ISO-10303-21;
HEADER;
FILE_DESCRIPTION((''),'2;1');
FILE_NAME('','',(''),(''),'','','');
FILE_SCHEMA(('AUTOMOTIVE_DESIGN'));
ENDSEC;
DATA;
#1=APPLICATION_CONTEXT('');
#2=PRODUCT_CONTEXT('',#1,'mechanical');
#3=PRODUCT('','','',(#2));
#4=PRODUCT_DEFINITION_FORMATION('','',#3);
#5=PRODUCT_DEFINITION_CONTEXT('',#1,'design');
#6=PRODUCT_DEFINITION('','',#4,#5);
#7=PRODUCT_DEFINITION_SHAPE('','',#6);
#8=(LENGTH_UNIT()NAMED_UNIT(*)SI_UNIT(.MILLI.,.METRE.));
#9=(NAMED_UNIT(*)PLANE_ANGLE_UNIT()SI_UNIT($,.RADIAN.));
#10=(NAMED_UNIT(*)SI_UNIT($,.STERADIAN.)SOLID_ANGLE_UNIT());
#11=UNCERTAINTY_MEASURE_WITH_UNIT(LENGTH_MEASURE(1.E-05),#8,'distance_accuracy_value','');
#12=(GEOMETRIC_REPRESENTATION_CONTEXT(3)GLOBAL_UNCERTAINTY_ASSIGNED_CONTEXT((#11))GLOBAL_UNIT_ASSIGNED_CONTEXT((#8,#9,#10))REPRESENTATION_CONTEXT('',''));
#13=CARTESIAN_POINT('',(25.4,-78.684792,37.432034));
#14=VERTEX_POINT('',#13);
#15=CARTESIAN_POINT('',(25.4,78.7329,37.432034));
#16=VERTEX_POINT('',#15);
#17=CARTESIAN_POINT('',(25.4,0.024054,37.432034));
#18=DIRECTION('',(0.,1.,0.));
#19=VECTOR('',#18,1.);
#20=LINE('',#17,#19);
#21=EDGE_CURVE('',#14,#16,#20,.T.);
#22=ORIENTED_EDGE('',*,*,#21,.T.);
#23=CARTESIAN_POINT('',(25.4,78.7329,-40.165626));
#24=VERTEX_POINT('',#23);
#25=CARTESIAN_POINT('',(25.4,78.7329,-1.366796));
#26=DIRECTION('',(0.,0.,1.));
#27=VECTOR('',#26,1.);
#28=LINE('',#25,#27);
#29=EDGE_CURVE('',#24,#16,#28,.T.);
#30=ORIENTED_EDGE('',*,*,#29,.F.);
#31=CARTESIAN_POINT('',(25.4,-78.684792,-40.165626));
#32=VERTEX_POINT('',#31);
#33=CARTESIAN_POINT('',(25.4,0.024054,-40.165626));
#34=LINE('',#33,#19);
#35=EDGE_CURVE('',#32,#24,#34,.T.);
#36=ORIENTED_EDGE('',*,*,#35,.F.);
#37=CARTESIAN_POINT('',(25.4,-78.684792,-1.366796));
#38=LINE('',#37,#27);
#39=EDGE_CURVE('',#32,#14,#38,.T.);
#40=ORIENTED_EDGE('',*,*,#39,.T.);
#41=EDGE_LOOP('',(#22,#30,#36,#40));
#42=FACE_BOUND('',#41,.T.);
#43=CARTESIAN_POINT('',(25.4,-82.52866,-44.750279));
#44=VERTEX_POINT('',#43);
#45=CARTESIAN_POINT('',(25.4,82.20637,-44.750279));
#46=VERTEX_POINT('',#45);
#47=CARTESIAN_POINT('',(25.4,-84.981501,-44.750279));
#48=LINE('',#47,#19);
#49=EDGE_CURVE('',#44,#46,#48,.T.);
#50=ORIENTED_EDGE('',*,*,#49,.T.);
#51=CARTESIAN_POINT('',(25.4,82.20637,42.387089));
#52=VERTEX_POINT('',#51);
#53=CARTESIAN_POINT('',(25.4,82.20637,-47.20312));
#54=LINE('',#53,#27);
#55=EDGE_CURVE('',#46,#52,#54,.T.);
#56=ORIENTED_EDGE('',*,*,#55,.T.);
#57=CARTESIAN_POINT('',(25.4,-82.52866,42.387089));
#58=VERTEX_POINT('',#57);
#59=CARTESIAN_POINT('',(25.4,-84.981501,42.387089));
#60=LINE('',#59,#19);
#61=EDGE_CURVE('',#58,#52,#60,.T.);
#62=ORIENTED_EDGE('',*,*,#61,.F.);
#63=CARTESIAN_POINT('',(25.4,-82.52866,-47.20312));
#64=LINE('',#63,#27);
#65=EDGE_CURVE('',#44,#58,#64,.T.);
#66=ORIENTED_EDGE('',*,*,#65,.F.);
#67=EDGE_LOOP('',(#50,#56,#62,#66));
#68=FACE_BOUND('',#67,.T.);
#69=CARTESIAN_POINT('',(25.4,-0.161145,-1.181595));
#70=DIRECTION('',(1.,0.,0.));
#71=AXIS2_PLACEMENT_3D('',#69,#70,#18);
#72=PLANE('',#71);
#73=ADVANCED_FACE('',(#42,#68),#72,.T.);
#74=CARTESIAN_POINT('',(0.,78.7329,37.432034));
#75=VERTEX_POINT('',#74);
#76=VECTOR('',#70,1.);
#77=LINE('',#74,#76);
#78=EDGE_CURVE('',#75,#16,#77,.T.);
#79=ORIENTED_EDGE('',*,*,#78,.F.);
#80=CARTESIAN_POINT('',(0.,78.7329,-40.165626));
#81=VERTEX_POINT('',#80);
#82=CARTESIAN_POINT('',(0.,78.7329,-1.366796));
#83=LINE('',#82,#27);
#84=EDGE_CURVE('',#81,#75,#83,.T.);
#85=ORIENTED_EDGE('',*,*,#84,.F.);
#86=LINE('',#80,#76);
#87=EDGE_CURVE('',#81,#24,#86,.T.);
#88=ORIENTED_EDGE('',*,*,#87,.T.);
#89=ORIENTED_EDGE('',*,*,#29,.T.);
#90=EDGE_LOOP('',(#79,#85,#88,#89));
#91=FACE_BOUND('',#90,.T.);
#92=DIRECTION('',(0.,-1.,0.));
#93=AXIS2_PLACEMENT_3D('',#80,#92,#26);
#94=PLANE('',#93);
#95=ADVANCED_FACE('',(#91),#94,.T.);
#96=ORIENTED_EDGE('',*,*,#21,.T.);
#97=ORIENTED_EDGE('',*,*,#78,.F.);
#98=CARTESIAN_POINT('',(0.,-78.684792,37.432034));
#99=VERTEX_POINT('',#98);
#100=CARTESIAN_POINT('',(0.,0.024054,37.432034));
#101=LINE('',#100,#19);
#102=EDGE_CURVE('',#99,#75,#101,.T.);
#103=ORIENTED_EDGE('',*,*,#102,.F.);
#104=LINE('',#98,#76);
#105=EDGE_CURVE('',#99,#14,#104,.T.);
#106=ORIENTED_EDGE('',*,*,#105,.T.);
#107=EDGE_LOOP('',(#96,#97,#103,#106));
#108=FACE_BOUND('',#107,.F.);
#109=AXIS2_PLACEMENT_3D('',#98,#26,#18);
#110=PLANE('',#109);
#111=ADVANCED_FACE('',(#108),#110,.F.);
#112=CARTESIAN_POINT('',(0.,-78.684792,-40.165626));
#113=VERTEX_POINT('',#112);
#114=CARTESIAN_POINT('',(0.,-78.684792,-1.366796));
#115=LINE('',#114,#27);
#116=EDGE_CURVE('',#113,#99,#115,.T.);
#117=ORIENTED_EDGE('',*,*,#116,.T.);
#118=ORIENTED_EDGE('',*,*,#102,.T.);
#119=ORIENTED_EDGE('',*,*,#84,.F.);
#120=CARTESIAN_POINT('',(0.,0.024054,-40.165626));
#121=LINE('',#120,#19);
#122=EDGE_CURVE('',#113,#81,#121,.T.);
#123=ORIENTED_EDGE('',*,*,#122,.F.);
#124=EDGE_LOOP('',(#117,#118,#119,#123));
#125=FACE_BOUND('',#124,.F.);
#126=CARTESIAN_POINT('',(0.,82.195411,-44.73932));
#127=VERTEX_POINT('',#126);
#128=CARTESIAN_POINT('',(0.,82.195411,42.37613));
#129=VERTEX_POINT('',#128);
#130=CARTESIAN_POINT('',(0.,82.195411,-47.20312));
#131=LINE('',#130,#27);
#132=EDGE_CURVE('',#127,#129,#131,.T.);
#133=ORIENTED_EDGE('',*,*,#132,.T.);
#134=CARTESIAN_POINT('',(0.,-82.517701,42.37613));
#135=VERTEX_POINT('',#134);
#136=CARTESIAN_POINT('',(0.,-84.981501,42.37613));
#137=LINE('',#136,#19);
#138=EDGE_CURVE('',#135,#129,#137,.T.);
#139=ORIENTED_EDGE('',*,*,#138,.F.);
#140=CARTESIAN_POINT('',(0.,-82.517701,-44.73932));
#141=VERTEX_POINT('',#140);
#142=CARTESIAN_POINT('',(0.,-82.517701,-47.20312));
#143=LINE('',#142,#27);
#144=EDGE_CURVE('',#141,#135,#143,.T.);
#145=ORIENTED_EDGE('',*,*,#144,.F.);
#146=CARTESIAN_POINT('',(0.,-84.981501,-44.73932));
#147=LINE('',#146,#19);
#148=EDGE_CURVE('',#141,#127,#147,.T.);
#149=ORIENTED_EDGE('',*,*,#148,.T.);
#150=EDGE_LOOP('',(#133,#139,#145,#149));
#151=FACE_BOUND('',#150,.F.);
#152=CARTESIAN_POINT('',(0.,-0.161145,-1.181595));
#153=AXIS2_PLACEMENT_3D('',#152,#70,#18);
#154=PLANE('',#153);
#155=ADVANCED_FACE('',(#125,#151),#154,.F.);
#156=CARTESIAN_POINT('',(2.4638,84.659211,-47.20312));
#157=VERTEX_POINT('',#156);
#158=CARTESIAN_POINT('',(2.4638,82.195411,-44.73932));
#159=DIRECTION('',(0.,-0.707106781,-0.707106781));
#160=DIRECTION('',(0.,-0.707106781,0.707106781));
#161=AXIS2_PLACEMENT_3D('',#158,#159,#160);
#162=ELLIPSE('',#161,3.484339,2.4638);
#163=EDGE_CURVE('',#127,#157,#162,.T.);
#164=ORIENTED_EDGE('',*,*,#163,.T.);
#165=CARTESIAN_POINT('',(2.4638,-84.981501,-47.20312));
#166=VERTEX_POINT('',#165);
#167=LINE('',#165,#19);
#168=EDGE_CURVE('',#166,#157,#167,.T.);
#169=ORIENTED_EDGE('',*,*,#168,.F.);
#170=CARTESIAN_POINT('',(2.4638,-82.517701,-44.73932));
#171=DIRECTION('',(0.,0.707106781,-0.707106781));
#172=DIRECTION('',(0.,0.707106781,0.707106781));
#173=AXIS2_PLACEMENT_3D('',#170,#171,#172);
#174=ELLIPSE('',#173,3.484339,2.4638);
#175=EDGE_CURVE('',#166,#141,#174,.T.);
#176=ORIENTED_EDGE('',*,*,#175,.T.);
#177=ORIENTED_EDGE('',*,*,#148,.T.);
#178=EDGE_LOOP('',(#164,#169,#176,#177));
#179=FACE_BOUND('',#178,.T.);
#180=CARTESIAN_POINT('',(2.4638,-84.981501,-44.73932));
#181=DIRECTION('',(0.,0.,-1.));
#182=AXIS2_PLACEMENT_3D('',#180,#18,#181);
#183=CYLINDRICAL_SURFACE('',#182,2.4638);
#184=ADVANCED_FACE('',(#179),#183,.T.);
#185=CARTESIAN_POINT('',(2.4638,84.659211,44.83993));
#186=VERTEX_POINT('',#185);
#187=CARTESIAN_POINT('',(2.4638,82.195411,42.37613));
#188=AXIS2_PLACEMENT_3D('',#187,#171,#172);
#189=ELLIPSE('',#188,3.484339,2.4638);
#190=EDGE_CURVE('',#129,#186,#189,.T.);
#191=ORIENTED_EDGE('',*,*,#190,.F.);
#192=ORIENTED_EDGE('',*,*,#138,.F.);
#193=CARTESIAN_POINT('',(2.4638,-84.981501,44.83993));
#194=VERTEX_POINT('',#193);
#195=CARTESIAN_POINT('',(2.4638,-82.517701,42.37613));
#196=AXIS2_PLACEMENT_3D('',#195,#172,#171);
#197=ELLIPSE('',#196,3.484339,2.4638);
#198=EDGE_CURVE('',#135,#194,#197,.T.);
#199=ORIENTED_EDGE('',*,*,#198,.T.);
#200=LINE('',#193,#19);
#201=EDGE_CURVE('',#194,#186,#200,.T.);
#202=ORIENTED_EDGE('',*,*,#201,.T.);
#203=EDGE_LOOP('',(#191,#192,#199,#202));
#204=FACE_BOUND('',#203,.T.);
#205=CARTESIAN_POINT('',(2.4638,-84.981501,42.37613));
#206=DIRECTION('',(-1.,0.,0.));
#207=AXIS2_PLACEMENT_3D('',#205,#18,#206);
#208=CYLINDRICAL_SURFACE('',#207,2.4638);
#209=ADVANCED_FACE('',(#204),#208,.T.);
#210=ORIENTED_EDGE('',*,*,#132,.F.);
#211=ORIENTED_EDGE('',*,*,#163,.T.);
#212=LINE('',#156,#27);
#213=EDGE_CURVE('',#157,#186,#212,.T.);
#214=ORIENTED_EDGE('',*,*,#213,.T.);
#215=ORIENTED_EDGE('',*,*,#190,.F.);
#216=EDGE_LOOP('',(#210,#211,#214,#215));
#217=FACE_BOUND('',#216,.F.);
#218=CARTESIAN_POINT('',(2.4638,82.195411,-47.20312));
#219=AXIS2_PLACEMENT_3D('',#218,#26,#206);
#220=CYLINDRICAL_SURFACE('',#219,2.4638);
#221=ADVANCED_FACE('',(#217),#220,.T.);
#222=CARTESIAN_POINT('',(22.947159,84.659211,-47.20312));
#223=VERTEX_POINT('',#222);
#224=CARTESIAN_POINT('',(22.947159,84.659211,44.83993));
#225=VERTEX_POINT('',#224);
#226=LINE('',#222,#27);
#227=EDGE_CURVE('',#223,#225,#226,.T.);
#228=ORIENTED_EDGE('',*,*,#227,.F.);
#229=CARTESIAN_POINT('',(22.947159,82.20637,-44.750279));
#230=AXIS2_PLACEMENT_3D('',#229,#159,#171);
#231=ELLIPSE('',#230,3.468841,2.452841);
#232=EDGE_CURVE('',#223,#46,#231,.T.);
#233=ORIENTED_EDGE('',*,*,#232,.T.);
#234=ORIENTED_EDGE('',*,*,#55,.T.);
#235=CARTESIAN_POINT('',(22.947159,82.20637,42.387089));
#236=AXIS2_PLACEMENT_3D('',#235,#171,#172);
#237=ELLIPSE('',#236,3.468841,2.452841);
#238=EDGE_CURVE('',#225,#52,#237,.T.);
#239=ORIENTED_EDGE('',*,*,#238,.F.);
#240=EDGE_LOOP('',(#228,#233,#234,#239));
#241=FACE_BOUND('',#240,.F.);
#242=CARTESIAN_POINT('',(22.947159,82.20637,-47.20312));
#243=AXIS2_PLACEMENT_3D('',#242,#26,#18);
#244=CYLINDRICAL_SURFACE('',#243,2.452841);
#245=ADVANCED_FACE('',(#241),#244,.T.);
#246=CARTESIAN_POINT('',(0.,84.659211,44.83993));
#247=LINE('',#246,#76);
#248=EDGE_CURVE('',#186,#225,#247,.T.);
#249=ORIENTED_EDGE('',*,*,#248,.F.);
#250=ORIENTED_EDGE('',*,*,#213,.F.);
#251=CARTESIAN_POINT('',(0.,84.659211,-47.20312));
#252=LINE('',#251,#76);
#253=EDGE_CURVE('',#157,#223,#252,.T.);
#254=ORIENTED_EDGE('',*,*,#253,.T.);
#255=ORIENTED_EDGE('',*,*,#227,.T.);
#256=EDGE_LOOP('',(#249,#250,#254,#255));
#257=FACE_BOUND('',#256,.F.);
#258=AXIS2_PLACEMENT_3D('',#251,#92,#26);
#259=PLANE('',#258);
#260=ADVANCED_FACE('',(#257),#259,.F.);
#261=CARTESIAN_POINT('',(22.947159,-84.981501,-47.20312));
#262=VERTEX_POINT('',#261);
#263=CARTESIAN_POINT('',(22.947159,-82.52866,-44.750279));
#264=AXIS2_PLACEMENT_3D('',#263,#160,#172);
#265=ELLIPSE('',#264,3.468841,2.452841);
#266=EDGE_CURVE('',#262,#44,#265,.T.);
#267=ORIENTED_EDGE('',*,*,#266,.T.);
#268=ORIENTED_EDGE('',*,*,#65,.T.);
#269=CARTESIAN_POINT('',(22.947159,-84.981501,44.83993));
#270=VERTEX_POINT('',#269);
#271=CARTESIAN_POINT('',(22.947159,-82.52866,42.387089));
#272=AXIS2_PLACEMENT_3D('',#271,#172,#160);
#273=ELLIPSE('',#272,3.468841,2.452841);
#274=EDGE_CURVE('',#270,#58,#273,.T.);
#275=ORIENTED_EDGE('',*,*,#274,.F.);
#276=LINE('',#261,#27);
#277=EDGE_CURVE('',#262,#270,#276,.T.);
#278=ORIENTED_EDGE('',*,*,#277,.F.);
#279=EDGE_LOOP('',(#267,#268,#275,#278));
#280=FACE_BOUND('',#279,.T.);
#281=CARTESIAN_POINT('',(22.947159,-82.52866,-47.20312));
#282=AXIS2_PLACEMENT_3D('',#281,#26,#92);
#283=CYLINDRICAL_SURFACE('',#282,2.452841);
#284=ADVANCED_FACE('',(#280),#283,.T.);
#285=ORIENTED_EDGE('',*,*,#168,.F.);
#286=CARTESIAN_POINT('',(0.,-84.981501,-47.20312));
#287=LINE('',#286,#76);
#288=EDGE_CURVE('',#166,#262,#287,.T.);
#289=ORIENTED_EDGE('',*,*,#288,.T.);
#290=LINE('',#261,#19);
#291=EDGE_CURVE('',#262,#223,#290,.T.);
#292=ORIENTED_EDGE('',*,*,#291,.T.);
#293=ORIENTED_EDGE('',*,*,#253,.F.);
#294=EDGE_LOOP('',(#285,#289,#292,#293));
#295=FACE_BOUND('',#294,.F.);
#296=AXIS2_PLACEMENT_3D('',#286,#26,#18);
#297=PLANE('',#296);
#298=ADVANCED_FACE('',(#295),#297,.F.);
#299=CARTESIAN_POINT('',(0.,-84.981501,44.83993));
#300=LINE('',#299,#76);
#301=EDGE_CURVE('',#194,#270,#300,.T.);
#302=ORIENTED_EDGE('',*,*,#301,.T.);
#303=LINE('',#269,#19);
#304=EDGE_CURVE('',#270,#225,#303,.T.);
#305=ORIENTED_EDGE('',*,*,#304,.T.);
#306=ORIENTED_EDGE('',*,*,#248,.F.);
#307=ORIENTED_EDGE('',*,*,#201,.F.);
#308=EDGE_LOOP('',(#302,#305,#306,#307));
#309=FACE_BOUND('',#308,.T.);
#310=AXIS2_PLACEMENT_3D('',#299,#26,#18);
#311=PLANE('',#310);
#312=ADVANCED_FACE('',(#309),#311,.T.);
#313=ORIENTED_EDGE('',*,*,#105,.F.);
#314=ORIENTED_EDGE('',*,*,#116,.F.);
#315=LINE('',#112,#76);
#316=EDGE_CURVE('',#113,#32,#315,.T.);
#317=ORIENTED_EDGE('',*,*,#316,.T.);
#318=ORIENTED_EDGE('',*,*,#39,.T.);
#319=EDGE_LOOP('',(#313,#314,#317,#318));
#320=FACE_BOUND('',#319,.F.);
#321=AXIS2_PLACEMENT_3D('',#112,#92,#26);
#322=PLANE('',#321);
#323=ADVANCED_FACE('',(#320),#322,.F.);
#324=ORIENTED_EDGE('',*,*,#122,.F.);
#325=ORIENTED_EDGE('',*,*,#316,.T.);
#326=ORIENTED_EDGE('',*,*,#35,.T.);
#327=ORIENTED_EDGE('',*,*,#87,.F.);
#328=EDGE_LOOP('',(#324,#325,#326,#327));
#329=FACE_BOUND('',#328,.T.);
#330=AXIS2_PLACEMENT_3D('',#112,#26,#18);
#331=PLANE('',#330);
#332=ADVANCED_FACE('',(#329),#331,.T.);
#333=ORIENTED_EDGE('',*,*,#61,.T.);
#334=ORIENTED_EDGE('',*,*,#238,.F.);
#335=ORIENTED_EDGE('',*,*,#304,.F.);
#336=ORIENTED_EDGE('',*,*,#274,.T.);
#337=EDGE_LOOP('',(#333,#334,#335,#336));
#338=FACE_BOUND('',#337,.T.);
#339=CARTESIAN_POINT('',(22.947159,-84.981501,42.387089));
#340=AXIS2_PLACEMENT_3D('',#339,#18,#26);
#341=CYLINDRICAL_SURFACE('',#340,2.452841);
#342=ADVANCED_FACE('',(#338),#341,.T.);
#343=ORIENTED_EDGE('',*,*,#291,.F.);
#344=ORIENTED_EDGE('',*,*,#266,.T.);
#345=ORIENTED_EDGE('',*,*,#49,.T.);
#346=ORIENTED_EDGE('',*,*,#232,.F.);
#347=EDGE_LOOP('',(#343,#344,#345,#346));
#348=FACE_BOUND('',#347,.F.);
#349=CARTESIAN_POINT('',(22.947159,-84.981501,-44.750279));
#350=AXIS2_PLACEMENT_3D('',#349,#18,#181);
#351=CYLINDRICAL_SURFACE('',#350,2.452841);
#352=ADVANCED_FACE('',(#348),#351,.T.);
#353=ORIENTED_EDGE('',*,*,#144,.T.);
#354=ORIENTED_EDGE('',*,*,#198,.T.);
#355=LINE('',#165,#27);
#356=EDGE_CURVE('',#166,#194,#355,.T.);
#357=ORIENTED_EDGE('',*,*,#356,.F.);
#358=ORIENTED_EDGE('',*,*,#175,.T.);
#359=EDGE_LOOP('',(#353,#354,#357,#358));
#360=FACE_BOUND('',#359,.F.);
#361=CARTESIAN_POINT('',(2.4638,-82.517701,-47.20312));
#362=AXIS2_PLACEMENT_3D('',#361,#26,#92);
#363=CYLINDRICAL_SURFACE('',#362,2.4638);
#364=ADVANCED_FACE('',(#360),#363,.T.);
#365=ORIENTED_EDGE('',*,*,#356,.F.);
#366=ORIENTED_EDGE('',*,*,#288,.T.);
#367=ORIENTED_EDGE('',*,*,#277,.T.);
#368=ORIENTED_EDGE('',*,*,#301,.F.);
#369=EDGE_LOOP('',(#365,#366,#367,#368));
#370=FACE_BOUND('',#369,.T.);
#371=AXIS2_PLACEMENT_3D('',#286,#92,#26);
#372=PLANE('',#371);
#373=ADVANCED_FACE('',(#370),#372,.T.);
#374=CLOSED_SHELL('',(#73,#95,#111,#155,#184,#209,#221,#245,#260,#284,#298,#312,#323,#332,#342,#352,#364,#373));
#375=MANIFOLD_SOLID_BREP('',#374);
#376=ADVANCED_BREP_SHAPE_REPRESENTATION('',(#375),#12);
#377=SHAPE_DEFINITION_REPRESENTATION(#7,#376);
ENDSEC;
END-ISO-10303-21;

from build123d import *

# Parameters (mm, degrees)
F0_W     = 169.640712
F0_H     = 92.04305
F0_W_2   = 157.417692
F0_H_2   = 77.59766
F1_DEPTH = 25.4
F2_R     = 2.452841
F3_R     = 2.4638


with BuildPart() as f1:
    # F0 (on Right) → F1 (new body)
    with BuildSketch(Plane.YZ):
        with Locations((-0.161145, -1.181595)):
            Rectangle(F0_W, F0_H)
        with Locations((0.024054, -1.366796)):
            Rectangle(F0_W_2, F0_H_2, mode=Mode.SUBTRACT)
    extrude(amount=F1_DEPTH)

    # F2
    f2_edges = [f1.edges().sort_by_distance(p)[0] for p in [
        (25.4, -0.161145, -47.20312),
        (25.4, -84.981501, -1.181595),
        (25.4, -0.161145, 44.83993),
        (25.4, 84.659211, -1.181595),
    ]]
    fillet(f2_edges, radius=F2_R)

    # F3
    f3_edges = [f1.edges().sort_by_distance(p)[0] for p in [
        (0, 84.659211, -1.181595),
        (0, -0.161145, 44.83993),
        (0, -0.161145, -47.20312),
        (0, -84.981501, -1.181595),
    ]]
    fillet(f3_edges, radius=F3_R)


solid = f1.part
